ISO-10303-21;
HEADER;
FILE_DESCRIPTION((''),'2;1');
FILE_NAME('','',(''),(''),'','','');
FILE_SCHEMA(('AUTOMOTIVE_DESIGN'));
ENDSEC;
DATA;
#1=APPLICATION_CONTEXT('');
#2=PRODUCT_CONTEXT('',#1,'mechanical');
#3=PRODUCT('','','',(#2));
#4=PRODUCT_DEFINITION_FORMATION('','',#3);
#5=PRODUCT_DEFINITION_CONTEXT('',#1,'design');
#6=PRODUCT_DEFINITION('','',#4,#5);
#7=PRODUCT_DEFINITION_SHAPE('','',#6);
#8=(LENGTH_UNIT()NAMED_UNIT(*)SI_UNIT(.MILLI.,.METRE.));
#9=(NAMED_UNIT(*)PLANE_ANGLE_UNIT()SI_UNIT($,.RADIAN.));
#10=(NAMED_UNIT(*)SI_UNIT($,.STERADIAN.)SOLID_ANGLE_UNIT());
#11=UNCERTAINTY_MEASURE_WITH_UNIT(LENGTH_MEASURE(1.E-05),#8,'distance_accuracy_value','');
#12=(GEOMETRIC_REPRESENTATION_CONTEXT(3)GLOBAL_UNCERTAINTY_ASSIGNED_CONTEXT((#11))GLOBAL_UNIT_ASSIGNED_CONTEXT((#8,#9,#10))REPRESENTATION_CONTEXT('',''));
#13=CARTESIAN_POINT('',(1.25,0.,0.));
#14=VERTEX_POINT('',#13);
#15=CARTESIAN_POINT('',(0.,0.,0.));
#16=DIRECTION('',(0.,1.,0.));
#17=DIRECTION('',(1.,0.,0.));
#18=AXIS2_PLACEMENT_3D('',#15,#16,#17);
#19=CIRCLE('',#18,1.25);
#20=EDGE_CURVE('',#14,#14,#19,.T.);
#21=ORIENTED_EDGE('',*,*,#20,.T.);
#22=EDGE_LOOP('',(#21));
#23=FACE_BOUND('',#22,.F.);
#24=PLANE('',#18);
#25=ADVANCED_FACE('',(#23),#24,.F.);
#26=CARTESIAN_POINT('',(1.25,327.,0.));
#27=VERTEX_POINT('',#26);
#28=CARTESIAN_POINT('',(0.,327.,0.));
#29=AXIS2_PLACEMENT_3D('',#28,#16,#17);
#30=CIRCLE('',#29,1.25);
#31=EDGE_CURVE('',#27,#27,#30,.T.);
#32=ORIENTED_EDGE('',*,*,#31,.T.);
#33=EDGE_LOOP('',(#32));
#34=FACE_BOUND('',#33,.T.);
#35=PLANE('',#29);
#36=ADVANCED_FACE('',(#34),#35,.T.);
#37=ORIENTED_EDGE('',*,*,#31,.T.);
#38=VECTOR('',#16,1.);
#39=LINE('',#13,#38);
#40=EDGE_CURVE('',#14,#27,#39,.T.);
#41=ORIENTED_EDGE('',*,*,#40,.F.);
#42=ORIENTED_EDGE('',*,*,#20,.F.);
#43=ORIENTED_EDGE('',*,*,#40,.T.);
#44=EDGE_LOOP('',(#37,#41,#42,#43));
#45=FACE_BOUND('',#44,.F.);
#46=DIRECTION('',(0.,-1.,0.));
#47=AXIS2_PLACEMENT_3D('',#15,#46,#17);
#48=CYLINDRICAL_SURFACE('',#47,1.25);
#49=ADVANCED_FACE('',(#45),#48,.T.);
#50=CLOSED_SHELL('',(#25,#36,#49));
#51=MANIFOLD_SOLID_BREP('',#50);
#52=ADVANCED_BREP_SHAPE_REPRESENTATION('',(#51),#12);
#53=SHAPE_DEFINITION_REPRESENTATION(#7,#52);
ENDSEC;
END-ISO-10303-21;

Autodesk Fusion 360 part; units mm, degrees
sketch "Sketch1" plane through (0, 0, 0) normal (0, 1, 0) x (1, 0, 0)
  circle A0 centre (0, 0) radius 1.25
  dimension "d1" = 2.5
extrude "Extrude1" add sketch "Sketch1" along normal blind 327
